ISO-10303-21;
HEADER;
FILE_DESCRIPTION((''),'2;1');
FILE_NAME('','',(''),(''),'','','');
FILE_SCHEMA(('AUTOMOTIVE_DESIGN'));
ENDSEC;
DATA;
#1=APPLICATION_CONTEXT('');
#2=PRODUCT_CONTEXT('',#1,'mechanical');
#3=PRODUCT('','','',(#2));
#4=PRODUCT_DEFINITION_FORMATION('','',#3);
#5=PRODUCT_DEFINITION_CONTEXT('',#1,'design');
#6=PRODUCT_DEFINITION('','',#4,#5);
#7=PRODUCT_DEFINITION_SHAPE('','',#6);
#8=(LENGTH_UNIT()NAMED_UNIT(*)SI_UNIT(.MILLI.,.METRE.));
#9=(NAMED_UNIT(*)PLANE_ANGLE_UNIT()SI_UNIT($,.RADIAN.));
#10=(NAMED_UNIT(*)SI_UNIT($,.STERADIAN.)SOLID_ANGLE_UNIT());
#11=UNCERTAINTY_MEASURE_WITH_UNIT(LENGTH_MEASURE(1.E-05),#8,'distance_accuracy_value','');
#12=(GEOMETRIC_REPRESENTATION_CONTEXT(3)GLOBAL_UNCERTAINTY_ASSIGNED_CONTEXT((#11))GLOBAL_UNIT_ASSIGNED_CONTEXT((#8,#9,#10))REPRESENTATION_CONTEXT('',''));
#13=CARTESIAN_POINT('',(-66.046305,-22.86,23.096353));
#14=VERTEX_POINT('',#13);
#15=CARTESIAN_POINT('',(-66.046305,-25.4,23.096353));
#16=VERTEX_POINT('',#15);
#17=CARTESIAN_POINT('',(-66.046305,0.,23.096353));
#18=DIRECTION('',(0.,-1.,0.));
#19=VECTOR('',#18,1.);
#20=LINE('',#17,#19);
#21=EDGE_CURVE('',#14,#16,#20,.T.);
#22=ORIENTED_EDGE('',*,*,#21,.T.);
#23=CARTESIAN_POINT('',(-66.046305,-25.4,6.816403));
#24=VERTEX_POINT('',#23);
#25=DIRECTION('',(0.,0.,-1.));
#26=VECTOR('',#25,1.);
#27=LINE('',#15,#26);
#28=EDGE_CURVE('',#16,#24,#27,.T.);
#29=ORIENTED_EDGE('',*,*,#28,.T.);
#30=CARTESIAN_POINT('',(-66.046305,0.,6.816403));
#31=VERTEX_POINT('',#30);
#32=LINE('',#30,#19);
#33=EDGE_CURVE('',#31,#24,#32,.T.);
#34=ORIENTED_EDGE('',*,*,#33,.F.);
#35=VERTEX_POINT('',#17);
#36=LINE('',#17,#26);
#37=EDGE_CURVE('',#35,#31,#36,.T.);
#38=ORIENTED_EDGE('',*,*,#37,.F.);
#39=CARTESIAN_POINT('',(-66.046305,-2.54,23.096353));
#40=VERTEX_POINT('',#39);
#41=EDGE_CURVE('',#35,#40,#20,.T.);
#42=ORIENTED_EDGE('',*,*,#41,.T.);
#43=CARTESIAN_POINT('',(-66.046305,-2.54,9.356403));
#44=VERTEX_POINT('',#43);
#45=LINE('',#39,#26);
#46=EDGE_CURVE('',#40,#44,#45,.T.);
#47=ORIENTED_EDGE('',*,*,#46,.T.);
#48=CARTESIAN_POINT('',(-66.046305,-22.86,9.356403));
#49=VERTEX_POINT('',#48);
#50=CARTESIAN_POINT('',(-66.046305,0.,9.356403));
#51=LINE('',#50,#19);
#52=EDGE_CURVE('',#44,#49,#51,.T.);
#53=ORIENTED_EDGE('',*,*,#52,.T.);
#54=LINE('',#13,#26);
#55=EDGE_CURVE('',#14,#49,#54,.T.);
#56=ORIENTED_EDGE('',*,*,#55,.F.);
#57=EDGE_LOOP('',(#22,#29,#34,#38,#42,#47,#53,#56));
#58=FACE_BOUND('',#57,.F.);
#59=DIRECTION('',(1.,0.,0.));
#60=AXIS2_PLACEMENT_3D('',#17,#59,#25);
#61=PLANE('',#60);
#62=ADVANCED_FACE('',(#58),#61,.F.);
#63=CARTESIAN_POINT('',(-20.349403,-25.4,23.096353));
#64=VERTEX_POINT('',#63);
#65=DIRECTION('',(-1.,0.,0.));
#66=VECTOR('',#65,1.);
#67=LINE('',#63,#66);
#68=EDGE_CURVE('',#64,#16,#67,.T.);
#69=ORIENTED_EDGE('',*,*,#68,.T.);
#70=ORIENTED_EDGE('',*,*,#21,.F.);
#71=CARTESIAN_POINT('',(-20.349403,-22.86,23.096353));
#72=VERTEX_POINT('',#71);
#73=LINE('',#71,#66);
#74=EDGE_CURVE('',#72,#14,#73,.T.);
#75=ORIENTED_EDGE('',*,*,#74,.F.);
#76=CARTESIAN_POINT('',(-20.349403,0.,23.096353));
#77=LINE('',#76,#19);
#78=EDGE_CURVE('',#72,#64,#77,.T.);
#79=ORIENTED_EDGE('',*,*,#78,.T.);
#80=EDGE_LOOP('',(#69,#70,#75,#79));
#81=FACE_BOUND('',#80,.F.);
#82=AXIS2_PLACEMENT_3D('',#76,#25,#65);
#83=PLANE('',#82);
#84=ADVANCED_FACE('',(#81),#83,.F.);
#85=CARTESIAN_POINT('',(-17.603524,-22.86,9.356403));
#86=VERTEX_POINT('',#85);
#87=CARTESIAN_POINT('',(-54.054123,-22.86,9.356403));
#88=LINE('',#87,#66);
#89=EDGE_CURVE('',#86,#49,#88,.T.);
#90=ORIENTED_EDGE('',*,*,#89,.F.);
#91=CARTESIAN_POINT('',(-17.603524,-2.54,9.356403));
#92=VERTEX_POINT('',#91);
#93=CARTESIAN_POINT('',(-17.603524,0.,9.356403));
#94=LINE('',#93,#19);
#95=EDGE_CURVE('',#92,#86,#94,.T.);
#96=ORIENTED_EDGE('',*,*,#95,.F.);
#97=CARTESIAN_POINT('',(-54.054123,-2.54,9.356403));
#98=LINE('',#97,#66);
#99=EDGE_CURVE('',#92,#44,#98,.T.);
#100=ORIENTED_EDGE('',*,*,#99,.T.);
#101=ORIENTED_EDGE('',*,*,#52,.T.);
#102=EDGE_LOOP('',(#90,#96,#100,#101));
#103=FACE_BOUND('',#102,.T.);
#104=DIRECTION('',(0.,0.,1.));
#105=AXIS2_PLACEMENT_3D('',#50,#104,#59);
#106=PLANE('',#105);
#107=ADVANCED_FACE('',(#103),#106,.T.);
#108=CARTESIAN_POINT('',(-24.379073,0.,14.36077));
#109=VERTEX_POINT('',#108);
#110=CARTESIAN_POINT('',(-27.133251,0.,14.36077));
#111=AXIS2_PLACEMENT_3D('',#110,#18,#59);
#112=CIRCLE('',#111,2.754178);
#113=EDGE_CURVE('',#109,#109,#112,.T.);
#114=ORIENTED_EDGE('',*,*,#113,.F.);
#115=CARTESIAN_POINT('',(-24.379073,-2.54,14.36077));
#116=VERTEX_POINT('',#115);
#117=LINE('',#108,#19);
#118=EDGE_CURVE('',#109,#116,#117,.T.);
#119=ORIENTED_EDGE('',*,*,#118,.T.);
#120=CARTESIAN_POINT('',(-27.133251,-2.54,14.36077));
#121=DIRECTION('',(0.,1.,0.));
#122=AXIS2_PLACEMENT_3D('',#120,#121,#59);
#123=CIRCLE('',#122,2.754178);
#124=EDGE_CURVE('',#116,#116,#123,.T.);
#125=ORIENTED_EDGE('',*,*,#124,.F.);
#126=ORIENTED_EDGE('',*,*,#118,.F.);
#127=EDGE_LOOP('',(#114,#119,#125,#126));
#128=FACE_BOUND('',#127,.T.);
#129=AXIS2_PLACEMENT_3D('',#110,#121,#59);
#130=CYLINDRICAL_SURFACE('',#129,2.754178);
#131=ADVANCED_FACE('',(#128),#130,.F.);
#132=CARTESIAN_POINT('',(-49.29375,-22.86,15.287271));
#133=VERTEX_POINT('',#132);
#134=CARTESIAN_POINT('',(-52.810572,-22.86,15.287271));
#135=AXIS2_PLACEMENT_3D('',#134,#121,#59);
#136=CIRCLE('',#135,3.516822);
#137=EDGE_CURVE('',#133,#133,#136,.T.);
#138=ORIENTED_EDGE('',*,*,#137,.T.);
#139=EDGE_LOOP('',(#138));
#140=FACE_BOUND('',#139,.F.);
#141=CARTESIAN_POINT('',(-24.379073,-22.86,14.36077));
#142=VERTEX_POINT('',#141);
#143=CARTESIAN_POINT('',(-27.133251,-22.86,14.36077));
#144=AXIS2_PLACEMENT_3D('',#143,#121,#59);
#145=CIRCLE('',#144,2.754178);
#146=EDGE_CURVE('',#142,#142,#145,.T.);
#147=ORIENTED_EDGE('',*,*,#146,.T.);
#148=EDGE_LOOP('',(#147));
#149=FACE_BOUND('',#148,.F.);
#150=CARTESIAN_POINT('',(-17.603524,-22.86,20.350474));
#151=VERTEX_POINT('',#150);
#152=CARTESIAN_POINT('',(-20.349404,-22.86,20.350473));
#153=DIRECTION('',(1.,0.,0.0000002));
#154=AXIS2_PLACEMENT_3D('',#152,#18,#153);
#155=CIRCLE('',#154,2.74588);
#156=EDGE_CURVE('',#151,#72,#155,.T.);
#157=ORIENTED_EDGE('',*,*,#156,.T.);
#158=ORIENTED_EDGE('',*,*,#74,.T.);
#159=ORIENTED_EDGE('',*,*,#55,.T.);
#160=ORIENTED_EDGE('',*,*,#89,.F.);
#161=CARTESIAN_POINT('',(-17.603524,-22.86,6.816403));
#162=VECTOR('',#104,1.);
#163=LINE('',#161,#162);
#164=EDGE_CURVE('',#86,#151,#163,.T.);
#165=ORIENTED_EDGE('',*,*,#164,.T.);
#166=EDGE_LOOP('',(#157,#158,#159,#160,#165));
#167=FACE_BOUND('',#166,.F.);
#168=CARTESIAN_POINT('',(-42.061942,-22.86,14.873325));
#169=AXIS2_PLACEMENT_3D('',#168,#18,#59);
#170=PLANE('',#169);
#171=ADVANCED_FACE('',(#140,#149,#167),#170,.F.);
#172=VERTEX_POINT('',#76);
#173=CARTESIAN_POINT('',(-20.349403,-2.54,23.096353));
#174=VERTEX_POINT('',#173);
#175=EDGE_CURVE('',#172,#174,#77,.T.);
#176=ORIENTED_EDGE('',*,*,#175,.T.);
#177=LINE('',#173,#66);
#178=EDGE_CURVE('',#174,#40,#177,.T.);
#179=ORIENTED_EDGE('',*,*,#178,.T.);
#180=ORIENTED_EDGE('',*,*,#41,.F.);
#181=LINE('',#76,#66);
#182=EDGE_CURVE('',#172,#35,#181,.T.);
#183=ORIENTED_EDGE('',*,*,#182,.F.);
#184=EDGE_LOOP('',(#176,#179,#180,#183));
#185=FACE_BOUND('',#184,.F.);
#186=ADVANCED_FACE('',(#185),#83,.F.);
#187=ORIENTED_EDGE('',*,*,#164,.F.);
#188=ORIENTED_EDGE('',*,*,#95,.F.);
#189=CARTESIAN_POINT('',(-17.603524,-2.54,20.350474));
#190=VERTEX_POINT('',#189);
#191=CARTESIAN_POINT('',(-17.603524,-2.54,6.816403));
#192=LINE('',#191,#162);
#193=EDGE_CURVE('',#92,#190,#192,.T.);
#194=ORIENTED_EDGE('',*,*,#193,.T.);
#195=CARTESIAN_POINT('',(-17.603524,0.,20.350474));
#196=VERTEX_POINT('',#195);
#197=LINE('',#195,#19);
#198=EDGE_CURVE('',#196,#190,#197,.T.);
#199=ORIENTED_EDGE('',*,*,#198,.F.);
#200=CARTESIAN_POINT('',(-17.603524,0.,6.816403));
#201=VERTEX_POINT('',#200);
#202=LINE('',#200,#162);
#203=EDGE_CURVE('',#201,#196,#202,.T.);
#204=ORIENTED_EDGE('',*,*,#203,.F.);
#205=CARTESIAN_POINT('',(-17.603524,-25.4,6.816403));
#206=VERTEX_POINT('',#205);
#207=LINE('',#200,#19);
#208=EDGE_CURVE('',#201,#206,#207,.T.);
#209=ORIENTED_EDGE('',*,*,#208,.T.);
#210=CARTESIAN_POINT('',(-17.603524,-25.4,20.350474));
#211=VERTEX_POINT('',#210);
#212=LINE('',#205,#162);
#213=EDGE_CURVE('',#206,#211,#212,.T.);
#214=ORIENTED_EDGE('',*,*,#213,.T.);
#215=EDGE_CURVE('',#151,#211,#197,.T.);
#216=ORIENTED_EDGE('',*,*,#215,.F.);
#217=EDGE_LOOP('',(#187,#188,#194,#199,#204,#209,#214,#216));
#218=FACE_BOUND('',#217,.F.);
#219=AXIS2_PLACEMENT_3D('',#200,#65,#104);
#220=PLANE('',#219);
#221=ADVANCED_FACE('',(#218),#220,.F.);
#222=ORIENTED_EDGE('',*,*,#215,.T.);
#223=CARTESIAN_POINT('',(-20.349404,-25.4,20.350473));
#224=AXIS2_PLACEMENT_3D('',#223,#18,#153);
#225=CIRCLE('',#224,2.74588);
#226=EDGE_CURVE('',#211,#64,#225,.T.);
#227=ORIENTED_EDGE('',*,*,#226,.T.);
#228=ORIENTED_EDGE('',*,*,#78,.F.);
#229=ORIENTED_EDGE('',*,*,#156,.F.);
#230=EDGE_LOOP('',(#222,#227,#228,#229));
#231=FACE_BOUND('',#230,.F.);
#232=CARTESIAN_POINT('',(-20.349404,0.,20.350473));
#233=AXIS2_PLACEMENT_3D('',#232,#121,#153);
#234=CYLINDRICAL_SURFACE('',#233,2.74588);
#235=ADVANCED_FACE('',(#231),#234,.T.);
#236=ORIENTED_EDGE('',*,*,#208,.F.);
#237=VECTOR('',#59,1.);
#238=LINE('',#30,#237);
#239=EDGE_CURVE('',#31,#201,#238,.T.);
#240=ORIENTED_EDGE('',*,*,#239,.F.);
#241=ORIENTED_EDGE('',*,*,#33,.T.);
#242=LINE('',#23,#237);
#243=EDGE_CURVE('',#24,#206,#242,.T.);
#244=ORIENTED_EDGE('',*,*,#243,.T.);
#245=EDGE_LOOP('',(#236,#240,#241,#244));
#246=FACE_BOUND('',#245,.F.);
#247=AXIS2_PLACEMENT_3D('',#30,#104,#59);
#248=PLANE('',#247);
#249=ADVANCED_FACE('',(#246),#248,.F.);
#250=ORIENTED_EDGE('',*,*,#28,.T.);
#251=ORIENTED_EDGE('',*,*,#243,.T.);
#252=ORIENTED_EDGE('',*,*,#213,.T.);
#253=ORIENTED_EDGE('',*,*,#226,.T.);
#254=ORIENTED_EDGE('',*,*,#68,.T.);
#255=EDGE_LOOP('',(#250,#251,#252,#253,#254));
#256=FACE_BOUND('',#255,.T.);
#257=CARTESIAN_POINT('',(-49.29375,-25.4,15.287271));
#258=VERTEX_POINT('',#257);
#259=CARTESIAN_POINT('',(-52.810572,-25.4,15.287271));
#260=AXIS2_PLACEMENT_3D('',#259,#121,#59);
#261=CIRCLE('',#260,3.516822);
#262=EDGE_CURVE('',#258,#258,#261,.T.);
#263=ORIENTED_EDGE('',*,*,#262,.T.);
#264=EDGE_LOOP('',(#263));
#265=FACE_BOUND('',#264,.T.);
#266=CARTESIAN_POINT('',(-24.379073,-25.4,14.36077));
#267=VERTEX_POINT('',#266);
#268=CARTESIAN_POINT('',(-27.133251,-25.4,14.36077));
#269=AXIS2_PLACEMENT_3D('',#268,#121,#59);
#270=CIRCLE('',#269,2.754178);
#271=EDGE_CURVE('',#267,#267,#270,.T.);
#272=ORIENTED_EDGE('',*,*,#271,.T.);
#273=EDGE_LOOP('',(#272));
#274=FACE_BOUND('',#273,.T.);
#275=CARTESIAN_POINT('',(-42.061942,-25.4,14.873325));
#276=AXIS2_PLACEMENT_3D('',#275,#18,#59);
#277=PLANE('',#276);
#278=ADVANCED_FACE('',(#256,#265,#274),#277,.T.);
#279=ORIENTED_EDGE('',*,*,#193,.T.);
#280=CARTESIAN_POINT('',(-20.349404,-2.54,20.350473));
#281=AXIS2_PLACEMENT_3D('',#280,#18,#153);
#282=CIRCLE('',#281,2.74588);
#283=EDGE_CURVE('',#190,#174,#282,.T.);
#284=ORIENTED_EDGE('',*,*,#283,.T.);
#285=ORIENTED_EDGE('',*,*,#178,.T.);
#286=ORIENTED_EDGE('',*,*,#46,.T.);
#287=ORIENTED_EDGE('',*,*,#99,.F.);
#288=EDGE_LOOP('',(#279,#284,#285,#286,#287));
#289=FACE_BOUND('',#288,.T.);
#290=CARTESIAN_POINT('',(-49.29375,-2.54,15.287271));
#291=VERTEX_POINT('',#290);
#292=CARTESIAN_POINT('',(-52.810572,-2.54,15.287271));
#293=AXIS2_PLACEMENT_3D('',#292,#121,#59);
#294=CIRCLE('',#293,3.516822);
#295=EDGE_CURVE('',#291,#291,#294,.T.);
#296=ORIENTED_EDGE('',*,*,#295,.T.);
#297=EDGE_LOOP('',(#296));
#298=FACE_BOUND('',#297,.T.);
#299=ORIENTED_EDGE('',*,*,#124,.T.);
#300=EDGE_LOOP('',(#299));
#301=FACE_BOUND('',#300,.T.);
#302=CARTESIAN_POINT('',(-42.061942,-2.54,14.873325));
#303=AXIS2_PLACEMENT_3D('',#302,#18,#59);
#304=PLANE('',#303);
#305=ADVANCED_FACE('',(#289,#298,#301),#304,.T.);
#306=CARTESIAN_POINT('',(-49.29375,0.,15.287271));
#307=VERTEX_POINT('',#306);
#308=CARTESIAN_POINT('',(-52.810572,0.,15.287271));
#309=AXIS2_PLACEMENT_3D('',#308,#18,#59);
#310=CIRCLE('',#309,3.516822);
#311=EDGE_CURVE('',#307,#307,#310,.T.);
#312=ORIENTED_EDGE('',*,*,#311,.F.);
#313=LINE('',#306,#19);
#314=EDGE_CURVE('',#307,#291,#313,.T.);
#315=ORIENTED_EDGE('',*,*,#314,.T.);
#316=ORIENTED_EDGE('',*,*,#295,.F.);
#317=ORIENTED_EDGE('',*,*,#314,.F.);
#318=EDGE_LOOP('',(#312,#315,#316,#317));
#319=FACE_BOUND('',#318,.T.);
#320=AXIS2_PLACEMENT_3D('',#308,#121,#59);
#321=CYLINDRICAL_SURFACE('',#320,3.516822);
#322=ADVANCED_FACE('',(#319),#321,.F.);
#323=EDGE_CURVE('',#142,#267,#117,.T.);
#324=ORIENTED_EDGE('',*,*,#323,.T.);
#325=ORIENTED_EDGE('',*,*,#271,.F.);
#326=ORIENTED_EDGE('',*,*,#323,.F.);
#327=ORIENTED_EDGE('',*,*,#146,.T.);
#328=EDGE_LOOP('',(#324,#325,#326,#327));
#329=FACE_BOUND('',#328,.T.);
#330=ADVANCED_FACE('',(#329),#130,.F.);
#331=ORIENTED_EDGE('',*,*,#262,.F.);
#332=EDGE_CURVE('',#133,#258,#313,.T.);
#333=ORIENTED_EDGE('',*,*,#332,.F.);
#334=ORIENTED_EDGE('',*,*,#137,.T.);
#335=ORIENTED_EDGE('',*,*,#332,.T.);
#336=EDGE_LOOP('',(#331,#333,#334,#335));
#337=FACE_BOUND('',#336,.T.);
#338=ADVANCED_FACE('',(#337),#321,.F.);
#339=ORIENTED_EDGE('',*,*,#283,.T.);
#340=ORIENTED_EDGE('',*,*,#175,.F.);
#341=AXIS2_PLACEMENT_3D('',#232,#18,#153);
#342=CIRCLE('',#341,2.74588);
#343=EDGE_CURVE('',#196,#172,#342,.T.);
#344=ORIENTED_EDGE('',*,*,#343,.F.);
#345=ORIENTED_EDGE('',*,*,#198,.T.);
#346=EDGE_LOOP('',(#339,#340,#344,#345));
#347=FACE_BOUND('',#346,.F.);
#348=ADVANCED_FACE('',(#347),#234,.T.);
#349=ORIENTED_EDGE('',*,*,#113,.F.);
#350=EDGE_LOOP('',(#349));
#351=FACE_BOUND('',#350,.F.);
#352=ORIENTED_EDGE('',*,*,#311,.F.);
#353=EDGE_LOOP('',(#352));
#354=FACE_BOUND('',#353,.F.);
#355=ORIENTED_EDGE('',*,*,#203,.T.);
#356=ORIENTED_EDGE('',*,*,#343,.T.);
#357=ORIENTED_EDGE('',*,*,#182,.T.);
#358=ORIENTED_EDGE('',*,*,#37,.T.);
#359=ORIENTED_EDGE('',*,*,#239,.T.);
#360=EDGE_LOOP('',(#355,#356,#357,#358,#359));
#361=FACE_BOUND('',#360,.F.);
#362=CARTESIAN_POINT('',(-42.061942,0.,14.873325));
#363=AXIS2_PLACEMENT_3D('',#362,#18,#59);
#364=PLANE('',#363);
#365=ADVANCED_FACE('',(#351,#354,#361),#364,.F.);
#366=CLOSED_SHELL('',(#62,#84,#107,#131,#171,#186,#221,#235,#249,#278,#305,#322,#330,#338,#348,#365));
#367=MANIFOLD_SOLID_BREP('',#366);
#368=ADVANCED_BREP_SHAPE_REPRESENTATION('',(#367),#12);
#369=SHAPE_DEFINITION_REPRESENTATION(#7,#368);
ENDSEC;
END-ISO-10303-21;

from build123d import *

# Parameters (mm, degrees)
F1_DEPTH = 25.4
F2_T     = -2.54
F3_R     = 2.754178
F3_R_2   = 3.516822
F4_DEPTH = 59.182


with BuildPart() as f1:
    # F0 (on Front) → F1 (new body)
    with BuildSketch(Plane.XZ):
        with BuildLine():
            Line((-66.046305, 23.096353), (-66.046305, 6.816403))
            Line((-66.046305, 6.816403), (-17.603524, 6.816403))
            Line((-17.603524, 6.816403), (-17.603524, 20.350474))
            ThreePointArc((-17.603524, 20.350474), (-18.407773, 22.292103), (-20.349403, 23.096353))
            Line((-20.349403, 23.096353), (-64.987443, 23.096353))
            Line((-64.987443, 23.096353), (-66.046305, 23.096353))
        make_face()
    extrude(amount=F1_DEPTH)

    # F2
    f2_openings = [f1.faces().sort_by_distance(p)[0] for p in [
        (-43.197854, -12.7, 23.096353),
        (-17.603524, -12.7, 13.583438),
        (-18.407773, -12.7, 22.292103),
        (-66.046305, -12.7, 14.956378),
    ]]
    offset(amount=F2_T, openings=f2_openings)

    # F3 (on Front) + F1_face (on face) → F4 (cut)
    with BuildSketch(Plane.XZ):
        with Locations((-27.133251, 14.36077)):
            Circle(F3_R)
        with Locations((-52.810572, 15.287271)):
            Circle(F3_R_2)
    with BuildSketch(Plane(origin=(-41.873451, -25.4, 14.940904), x_dir=(1, 0, 0), z_dir=(0, -1, 0))):
        with BuildLine():
            Line((-24.172854, 8.155449), (-24.172854, -8.124501))
            Line((-24.172854, -8.124501), (24.269927, -8.124501))
            Line((24.269927, -8.124501), (24.269927, 5.40957))
            ThreePointArc((24.269927, 5.40957), (23.465677, 7.3512), (21.524048, 8.155449))
            Line((21.524048, 8.155449), (-24.172854, 8.155449))
        make_face()
    extrude(amount=F4_DEPTH, mode=Mode.SUBTRACT)


solid = f1.part
